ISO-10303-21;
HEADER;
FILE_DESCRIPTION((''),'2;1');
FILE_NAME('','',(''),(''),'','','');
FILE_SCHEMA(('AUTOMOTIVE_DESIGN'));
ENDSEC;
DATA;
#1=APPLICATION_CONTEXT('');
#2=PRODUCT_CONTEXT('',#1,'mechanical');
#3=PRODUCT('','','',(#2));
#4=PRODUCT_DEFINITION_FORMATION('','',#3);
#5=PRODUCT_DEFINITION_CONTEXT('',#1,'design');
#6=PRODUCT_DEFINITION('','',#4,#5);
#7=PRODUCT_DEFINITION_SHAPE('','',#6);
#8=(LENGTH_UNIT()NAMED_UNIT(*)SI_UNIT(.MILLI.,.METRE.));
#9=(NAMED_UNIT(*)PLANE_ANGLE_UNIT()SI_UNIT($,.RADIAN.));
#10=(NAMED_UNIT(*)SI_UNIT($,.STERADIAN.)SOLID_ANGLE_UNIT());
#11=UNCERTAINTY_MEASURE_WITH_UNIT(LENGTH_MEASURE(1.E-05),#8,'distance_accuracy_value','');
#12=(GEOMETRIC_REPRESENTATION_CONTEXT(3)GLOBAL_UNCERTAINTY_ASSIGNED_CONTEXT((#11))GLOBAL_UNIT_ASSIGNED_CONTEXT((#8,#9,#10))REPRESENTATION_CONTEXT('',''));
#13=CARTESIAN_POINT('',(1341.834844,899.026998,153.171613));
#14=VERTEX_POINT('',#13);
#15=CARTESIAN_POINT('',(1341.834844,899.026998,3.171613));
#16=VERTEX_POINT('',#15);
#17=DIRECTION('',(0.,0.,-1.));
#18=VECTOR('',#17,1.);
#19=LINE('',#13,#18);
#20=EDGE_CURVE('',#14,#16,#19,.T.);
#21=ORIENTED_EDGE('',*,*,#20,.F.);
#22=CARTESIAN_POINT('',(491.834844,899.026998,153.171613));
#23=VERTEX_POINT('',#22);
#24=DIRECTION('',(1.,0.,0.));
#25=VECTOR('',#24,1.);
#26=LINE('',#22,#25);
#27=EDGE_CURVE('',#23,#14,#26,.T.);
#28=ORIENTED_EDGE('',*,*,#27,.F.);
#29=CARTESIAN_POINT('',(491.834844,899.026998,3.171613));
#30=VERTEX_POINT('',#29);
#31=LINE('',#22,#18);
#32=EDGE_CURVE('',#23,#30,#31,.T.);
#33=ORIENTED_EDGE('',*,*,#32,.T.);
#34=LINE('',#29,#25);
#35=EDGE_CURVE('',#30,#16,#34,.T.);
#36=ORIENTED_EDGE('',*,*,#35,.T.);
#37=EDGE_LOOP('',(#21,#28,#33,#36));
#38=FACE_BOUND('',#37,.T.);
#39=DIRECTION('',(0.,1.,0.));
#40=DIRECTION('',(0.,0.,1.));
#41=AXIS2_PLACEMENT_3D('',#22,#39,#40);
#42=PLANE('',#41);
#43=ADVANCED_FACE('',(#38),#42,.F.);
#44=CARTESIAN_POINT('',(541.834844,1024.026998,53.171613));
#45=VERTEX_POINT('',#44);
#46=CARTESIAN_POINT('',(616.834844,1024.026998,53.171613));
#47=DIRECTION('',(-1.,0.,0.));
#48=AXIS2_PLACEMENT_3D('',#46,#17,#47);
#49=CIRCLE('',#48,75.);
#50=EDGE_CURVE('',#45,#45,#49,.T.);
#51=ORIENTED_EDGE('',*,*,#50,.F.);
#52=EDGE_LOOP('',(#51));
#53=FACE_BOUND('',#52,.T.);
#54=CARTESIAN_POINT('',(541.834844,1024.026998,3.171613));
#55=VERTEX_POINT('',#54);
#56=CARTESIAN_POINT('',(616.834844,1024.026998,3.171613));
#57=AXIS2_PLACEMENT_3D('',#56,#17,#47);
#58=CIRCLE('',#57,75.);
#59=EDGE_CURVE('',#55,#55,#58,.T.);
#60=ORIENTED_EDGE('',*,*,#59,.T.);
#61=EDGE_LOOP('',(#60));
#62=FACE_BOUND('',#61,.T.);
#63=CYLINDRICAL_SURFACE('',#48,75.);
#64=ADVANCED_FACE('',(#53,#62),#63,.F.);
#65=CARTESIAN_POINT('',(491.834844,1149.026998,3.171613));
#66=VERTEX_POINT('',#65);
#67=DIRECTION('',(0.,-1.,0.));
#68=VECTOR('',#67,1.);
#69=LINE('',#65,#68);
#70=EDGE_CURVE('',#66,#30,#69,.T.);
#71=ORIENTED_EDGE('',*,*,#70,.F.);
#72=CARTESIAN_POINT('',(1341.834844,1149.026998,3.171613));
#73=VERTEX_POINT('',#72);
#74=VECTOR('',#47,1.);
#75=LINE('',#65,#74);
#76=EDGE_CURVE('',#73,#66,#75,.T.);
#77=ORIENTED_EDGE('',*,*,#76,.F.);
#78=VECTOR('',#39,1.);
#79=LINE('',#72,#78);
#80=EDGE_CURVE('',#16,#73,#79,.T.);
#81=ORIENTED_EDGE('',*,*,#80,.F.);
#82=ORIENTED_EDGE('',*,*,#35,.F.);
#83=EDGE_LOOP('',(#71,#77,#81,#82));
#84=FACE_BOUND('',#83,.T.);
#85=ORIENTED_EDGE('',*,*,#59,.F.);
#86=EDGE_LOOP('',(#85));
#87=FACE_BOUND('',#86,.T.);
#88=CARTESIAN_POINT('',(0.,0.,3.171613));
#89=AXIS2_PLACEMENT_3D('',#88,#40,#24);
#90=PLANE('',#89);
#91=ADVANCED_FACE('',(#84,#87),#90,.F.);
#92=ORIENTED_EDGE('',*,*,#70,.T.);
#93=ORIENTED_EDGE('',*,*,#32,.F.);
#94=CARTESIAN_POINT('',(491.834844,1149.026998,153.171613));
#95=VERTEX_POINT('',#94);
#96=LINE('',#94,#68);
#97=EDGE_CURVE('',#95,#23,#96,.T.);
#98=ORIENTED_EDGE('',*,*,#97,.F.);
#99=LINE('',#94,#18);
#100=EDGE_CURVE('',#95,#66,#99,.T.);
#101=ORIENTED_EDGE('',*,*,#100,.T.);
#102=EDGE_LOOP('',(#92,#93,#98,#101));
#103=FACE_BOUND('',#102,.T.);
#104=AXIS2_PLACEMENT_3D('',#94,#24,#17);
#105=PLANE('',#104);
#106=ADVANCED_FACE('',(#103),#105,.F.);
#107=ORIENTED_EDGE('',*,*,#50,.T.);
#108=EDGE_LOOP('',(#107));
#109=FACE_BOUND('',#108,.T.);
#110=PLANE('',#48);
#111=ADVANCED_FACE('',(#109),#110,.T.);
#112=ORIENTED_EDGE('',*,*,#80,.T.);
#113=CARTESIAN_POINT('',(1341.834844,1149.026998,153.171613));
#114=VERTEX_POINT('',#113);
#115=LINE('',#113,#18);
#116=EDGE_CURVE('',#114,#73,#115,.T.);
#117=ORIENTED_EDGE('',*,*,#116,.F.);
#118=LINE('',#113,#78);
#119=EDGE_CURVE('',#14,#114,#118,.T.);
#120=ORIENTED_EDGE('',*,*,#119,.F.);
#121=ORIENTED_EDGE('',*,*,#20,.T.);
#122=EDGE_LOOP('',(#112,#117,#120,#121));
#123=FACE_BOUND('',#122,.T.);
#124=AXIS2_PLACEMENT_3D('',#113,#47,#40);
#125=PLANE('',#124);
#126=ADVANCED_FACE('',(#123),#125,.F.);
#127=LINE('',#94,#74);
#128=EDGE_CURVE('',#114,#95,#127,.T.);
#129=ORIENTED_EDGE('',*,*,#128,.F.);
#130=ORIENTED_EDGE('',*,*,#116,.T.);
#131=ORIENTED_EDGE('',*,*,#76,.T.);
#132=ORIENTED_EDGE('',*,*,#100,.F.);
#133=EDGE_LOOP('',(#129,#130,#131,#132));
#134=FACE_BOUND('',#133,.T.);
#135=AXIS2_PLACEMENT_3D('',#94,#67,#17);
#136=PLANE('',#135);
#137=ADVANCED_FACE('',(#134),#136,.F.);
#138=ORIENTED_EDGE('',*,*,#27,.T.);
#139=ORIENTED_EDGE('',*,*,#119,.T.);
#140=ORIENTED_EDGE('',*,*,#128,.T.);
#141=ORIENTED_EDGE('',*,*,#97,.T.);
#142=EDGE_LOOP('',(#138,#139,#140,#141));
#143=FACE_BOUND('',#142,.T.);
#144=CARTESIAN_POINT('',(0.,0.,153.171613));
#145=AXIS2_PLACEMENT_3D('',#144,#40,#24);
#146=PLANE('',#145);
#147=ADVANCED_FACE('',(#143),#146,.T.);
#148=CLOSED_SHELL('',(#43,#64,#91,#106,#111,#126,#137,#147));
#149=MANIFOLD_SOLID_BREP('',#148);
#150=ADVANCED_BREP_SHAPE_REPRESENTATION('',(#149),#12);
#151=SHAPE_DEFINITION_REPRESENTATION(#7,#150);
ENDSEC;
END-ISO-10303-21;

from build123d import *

# Parameters (mm, degrees)
CROQUIS2_W              = 850
CROQUIS2_H              = 250
SALIENTE_EXTRUIR1_DEPTH = 150
CROQUIS3_R              = 75
CORTAR_EXTRUIR1_DEPTH   = 50


with BuildPart() as part:
    # Croquis2 → Saliente-Extruir1 (new body)
    with BuildSketch(Plane.XY.offset(3.171613416)):
        with Locations((916.834843653, 1024.026997685)):
            Rectangle(CROQUIS2_W, CROQUIS2_H)
    extrude(amount=SALIENTE_EXTRUIR1_DEPTH)

    # Croquis3 → Cortar-Extruir1 (cut)
    with BuildSketch(Plane(origin=(0, 0, 3.171613416), x_dir=(-1, 0, 0), z_dir=(0, 0, -1))):
        with Locations((-616.834843653, 1024.026997685)):
            Circle(CROQUIS3_R)
    extrude(amount=-CORTAR_EXTRUIR1_DEPTH, mode=Mode.SUBTRACT)


solid = part.part
